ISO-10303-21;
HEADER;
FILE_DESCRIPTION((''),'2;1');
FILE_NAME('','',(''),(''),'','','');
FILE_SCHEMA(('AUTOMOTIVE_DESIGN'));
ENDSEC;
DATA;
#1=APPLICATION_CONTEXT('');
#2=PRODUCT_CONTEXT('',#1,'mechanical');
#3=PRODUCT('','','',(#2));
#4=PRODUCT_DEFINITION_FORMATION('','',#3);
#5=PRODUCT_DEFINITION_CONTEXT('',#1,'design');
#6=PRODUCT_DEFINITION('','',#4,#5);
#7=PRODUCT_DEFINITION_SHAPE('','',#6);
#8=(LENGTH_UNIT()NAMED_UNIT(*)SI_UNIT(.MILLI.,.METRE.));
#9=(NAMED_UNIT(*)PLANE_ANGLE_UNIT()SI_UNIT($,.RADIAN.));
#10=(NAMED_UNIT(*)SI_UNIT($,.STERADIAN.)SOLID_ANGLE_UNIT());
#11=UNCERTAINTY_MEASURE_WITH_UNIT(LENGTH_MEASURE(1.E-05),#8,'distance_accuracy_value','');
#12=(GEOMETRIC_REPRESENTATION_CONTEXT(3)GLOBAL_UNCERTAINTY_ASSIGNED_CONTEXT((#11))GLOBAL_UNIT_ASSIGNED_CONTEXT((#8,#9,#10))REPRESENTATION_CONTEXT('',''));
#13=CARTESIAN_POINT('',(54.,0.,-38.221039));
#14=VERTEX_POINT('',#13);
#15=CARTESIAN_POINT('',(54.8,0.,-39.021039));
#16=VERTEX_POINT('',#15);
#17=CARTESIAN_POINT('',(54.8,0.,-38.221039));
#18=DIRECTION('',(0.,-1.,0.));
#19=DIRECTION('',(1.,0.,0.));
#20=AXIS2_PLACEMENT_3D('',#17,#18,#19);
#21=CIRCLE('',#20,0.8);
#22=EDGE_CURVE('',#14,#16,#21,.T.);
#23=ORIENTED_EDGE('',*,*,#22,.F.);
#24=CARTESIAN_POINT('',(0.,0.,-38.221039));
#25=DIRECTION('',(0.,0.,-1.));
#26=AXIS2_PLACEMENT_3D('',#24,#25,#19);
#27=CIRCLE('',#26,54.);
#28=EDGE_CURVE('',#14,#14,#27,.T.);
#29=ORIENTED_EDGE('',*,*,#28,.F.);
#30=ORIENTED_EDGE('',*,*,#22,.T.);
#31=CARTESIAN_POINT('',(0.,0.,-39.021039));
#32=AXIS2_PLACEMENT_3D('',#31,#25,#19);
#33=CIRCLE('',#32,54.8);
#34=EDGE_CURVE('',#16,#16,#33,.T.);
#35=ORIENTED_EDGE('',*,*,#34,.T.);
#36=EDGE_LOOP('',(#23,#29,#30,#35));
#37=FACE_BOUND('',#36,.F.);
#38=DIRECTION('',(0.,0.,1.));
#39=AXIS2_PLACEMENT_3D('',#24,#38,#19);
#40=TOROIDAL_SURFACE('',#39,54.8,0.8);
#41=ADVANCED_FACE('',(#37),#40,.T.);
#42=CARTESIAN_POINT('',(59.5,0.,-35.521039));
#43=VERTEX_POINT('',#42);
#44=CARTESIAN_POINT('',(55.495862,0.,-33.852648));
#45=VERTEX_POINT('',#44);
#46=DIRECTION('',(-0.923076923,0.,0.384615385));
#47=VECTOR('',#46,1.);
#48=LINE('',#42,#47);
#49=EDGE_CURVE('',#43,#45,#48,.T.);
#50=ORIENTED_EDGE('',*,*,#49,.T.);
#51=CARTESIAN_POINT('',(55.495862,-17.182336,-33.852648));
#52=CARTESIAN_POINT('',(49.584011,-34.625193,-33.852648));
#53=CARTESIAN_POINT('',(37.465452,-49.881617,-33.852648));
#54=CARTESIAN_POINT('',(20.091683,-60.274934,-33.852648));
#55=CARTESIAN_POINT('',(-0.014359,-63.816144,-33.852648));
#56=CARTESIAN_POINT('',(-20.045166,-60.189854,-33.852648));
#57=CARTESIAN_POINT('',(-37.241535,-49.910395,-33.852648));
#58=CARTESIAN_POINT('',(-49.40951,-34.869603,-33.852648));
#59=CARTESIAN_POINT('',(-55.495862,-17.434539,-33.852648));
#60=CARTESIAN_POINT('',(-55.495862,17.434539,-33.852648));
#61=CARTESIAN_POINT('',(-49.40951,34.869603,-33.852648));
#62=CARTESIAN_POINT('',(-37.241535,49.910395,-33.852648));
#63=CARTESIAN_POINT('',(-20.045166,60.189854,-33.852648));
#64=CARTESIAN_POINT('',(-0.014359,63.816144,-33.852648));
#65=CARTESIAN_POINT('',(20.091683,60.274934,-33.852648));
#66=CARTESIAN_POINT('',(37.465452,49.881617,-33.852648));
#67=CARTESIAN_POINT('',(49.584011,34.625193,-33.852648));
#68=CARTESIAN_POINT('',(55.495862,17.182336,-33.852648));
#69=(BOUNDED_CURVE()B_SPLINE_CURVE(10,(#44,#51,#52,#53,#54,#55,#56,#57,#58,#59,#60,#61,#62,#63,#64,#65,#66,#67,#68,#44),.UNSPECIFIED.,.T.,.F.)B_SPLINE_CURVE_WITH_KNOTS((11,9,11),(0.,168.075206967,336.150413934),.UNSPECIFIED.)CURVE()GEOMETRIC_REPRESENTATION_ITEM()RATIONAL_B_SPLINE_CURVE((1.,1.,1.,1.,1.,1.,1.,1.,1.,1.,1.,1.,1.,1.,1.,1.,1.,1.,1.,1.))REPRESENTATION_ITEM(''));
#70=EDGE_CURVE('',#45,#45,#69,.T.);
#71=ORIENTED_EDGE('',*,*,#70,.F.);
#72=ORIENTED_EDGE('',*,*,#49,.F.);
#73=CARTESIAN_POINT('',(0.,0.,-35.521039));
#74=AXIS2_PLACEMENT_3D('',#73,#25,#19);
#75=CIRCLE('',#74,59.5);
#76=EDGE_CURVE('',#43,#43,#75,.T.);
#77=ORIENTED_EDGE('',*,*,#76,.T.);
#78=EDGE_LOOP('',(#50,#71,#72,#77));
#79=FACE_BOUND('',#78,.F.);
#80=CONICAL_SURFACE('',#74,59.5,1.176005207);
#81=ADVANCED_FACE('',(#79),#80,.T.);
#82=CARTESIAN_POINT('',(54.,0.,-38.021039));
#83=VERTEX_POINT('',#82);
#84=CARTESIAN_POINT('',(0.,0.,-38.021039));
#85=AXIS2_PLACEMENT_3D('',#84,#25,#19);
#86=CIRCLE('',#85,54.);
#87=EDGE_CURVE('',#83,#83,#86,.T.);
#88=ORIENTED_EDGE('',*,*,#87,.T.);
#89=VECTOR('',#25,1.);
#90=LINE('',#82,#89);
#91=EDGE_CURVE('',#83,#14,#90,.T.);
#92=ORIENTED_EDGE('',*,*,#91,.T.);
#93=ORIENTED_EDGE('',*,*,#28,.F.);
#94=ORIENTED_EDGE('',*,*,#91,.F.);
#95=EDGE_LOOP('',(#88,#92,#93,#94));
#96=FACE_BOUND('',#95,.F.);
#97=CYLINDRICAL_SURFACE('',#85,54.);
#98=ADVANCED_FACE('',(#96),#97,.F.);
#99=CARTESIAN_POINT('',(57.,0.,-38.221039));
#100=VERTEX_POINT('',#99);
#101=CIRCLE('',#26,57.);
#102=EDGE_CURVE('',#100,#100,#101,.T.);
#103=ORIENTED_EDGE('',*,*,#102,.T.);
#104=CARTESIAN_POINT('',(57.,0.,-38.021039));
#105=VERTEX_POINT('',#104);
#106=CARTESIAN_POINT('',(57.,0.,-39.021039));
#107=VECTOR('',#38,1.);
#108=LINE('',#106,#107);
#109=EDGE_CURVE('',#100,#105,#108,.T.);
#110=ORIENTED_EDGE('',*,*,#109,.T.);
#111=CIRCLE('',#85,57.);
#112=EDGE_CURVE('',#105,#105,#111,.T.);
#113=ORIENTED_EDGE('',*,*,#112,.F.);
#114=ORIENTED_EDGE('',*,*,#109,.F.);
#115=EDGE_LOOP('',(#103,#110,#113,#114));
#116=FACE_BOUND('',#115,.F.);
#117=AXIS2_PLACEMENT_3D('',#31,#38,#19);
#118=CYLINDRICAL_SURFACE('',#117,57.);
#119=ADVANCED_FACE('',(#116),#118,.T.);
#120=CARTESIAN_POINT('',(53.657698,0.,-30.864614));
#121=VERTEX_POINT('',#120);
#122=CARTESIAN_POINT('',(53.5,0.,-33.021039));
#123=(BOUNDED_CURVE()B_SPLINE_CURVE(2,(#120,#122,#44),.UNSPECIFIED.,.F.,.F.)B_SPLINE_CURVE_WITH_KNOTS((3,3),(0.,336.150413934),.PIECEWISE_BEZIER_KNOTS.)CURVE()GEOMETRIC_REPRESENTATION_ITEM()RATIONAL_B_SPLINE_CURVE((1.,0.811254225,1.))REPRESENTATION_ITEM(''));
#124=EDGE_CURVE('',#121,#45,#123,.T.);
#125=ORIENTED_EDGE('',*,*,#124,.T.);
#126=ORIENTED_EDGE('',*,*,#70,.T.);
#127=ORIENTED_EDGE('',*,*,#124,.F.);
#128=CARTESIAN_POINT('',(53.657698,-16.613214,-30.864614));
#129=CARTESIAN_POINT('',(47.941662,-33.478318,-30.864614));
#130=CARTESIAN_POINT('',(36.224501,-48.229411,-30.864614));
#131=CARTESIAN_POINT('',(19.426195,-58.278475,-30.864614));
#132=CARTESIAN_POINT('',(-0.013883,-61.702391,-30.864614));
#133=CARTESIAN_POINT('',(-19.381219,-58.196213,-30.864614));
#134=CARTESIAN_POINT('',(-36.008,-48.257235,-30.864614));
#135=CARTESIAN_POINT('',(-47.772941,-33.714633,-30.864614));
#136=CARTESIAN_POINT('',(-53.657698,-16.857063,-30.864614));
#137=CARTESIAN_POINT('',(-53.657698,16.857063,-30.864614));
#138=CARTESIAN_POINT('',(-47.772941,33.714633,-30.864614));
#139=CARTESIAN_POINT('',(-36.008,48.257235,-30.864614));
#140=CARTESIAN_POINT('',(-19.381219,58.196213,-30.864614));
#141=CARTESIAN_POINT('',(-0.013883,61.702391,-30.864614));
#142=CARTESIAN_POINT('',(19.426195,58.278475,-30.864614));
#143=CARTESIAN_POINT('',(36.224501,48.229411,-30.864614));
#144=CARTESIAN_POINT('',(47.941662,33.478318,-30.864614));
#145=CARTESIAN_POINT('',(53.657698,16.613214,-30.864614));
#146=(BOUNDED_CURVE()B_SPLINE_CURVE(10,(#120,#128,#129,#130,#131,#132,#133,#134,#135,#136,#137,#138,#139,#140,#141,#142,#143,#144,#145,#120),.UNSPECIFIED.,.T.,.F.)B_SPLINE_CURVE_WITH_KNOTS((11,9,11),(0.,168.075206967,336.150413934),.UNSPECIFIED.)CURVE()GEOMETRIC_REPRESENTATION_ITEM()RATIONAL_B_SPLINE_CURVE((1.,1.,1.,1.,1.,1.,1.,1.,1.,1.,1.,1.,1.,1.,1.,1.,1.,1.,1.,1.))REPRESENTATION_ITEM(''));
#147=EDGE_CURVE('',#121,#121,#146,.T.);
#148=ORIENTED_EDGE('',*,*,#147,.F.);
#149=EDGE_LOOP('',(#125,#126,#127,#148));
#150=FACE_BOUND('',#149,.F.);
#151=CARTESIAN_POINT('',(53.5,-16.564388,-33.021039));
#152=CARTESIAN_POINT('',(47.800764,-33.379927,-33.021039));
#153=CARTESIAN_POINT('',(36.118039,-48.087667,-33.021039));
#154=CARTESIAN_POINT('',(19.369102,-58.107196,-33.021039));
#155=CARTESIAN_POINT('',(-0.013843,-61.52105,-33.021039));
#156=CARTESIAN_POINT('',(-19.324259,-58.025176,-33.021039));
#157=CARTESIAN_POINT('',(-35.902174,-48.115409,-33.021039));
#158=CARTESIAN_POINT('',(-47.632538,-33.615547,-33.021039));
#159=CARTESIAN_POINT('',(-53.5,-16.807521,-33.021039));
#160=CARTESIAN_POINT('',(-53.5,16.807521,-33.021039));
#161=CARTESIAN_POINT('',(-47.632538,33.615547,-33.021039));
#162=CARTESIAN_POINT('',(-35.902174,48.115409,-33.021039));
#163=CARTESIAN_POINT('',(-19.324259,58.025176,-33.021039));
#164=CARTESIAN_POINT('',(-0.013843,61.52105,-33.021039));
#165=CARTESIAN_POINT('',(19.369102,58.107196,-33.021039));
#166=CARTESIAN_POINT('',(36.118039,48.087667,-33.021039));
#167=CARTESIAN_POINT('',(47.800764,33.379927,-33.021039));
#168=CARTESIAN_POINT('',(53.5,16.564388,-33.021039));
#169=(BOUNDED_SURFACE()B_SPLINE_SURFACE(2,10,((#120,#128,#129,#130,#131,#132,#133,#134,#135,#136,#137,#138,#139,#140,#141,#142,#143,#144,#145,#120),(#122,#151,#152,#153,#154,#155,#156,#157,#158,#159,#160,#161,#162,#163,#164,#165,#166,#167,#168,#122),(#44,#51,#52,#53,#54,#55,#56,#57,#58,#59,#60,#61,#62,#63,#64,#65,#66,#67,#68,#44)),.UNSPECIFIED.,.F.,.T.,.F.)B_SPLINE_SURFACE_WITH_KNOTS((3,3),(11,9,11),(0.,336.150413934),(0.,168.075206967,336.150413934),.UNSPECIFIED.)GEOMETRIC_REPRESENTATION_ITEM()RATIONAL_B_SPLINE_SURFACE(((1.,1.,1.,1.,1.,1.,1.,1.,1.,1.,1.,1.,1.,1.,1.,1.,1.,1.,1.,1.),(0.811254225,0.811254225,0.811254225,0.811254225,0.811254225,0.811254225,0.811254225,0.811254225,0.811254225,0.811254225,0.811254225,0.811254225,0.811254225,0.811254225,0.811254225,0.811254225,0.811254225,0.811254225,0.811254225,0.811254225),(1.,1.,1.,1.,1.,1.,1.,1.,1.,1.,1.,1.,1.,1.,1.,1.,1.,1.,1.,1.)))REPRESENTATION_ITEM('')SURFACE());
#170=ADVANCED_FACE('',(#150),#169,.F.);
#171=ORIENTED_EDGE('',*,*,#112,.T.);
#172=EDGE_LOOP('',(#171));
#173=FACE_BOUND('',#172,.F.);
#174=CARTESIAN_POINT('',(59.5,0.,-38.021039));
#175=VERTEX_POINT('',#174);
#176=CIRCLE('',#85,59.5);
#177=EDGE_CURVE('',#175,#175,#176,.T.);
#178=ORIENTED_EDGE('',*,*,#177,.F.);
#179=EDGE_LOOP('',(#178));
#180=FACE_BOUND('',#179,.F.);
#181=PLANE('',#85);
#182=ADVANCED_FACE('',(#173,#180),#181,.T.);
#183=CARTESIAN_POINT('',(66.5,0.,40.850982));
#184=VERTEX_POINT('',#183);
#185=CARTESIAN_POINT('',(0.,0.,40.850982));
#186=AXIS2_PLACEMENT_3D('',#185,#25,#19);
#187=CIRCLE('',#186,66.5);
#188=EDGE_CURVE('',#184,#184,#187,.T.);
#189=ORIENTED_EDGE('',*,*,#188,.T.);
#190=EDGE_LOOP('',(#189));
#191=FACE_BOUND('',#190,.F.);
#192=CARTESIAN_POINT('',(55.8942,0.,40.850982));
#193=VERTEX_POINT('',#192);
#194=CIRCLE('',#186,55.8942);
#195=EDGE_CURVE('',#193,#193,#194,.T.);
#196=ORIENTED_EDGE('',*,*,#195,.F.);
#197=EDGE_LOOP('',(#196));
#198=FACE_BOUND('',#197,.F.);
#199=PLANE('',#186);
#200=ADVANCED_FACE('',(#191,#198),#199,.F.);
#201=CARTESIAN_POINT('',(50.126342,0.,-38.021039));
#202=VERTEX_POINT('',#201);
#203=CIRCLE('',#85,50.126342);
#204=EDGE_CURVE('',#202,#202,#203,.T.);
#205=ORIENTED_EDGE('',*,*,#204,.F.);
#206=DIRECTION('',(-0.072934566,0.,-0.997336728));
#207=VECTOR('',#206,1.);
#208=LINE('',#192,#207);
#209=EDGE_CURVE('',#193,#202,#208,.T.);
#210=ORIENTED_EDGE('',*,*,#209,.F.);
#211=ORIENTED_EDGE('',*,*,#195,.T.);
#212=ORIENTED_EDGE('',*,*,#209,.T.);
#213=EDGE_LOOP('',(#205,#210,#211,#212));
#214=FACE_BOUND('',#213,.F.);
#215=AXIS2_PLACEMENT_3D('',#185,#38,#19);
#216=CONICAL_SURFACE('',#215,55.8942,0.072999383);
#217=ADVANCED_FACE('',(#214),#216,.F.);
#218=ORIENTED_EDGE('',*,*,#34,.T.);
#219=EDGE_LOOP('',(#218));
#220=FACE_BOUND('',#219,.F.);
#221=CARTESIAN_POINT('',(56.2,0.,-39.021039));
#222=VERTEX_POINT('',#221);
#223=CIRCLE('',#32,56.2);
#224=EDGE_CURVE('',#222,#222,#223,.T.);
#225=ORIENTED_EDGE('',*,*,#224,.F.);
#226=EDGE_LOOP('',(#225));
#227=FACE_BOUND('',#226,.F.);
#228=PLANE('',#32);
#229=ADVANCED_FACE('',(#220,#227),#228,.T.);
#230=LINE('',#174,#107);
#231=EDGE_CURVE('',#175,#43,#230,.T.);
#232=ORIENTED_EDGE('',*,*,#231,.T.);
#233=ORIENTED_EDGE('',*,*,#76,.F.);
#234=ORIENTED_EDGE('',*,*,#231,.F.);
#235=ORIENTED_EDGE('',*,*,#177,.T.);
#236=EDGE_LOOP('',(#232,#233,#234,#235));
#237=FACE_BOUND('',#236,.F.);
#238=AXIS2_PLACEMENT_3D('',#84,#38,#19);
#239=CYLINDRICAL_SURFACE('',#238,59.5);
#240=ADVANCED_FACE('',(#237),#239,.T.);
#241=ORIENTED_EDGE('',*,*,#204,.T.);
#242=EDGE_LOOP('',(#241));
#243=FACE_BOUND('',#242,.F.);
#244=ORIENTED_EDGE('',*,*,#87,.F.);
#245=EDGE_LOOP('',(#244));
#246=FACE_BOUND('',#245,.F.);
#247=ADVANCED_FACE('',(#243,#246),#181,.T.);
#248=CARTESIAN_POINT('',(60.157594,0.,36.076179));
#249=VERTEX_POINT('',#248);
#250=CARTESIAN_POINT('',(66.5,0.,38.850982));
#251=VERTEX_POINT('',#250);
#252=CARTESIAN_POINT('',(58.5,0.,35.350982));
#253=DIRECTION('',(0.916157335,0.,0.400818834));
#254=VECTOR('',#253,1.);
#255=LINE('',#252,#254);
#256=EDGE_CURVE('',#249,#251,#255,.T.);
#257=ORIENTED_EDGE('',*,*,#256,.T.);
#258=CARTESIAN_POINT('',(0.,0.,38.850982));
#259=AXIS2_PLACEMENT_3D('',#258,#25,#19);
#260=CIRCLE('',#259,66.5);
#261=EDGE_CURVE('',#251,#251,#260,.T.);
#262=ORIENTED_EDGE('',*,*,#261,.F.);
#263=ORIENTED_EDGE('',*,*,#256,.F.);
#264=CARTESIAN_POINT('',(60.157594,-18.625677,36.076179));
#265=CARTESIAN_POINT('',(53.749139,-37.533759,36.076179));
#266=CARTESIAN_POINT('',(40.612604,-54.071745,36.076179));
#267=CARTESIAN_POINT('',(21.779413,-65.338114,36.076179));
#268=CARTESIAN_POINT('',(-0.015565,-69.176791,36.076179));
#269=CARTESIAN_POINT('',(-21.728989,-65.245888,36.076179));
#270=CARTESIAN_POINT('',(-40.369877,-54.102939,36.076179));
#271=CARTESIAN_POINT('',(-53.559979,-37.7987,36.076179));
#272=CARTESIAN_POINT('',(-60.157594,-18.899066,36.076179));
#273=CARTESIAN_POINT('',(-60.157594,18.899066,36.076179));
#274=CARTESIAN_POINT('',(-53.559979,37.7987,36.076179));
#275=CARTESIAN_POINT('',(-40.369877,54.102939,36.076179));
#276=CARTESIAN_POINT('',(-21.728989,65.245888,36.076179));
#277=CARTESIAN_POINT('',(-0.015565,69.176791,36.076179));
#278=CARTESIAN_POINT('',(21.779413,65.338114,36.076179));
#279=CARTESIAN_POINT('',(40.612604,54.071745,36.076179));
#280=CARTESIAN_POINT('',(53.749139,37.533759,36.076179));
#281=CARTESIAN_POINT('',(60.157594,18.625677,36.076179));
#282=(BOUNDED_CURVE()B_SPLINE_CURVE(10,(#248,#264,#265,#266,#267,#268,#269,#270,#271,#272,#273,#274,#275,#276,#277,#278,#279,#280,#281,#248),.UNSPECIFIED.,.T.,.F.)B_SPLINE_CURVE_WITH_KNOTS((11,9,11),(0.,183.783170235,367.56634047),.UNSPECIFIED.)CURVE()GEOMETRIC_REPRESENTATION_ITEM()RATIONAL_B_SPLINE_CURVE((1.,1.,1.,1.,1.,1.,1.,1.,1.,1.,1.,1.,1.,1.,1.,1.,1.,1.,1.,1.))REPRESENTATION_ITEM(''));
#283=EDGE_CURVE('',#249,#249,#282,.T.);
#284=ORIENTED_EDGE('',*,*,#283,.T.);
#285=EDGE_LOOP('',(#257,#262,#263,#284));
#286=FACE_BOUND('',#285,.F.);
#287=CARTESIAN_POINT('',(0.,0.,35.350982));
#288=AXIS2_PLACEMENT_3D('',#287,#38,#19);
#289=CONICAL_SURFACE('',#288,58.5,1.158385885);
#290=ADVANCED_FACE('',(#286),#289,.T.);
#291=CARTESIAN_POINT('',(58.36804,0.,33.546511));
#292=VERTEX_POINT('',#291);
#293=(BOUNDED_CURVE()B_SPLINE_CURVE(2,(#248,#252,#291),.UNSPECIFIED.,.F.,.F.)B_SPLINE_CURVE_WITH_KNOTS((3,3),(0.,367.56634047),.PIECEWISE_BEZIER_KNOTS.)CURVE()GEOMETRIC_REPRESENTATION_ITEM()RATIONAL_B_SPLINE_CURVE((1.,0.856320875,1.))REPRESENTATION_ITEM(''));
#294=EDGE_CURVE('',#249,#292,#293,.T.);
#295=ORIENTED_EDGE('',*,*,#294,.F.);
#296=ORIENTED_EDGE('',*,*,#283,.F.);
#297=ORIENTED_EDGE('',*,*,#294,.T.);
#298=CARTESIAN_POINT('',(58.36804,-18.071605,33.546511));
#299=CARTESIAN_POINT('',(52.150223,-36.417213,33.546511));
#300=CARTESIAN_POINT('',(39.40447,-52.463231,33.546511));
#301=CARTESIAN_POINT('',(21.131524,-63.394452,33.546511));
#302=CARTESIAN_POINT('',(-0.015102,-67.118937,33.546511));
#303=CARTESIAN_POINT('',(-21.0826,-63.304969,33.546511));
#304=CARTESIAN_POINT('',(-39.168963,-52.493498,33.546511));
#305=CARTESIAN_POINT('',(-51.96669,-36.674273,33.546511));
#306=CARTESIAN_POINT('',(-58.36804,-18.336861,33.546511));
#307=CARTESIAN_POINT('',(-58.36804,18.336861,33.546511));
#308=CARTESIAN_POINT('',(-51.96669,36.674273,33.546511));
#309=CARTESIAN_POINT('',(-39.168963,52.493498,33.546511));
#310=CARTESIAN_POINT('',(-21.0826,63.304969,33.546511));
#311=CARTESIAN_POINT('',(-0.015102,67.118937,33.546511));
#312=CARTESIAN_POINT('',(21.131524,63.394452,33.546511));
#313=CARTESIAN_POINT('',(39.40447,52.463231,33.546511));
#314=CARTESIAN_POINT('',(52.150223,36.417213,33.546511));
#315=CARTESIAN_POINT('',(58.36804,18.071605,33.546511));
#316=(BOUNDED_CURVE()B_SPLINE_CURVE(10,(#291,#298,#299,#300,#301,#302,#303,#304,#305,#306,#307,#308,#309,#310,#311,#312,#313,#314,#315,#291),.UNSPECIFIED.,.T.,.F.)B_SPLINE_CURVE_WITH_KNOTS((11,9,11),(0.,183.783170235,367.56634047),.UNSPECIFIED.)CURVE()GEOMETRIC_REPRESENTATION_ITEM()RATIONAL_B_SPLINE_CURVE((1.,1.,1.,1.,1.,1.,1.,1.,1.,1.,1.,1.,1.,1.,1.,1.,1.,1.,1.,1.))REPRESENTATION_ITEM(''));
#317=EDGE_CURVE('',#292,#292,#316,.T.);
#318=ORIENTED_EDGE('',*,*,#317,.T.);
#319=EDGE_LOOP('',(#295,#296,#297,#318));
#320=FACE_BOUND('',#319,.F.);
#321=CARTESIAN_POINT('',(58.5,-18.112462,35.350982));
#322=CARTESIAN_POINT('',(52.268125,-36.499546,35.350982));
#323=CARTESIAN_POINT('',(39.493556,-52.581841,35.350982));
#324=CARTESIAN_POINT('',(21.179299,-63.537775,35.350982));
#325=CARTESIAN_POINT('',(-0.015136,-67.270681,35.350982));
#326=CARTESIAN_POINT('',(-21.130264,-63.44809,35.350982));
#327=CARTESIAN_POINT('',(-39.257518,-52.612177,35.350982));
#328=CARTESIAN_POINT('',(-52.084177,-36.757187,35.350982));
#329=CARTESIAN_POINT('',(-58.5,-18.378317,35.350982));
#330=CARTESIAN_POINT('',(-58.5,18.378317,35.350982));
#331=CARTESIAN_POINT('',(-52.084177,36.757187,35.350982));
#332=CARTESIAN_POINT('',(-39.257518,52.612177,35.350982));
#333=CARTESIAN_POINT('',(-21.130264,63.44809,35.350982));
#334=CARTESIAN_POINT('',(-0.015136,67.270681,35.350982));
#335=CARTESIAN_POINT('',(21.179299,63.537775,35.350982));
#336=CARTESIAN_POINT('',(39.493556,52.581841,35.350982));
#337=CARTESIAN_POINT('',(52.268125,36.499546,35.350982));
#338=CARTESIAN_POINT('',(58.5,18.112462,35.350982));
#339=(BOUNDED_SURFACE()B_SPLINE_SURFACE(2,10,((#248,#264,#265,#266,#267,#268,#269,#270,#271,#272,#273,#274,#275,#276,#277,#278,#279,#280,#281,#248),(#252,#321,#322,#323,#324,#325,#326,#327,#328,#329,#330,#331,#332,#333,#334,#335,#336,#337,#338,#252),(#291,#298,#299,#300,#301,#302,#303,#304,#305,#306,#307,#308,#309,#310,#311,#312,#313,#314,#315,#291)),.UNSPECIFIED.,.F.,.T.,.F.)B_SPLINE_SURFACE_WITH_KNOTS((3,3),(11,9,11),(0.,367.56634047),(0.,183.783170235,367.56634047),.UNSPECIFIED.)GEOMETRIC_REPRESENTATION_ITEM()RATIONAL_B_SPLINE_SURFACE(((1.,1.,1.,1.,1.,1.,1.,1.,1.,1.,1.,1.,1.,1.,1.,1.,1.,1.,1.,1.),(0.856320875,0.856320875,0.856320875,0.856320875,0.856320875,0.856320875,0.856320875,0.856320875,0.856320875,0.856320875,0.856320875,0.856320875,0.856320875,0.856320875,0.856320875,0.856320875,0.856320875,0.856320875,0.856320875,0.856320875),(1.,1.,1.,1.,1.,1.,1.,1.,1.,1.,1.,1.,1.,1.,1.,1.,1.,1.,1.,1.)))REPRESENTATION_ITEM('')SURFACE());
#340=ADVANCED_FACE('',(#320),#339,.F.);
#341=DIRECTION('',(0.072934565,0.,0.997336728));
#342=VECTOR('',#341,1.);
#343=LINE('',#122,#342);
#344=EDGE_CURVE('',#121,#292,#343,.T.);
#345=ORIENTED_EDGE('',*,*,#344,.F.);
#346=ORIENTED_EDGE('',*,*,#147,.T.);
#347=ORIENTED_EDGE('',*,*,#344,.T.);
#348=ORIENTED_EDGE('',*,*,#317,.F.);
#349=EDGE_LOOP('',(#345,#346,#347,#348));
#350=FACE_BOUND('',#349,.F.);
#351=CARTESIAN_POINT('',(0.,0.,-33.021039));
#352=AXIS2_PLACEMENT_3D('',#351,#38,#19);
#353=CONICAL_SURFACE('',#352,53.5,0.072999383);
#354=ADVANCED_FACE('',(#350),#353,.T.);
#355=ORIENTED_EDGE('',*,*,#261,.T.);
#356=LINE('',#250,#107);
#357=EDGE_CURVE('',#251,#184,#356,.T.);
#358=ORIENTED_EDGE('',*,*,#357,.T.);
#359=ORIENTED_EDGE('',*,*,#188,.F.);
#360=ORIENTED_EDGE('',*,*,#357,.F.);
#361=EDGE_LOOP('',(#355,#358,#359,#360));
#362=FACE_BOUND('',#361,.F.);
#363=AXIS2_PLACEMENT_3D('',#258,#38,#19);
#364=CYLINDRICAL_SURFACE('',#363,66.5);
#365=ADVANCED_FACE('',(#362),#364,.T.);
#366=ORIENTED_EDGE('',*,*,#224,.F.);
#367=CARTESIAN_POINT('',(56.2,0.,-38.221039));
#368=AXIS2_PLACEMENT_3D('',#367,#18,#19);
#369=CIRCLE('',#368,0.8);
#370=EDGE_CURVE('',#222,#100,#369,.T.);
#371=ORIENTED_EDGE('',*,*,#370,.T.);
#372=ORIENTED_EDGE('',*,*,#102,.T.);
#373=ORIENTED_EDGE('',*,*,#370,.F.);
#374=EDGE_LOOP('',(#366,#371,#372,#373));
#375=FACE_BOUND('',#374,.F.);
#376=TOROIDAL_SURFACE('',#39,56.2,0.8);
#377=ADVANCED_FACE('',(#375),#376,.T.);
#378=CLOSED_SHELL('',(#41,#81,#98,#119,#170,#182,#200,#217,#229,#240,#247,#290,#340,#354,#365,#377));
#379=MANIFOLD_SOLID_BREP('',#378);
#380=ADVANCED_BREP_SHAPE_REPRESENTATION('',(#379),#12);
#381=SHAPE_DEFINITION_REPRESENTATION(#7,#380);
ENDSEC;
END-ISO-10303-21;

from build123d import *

# Parameters (mm, degrees)
F2_R = 0.8
F3_R = 3


with BuildPart() as f1:
    # F0 (on Front) → F1 (revolve)
    with BuildSketch(Plane.XZ):
        Polygon((66.5, 40.850982), (55.8942, 40.850982), (50.126342, -38.021039), (54, -38.021039), (54, -39.021039), (57, -39.021039), (57, -38.021039), (59.5, -38.021039), (59.5, -35.521039), (53.5, -33.021039), (58.5, 35.350982), (66.5, 38.850982), align=None)
    revolve(axis=Axis((0, 0, -10.226812), (0, 0, -1)))

    # F2
    f2_edges = [f1.edges().sort_by_distance(p)[0] for p in [
        (-54, 0, -39.021039),
        (-57, 0, -39.021039),
    ]]
    fillet(f2_edges, radius=F2_R)

    # F3
    f3_edges = [f1.edges().sort_by_distance(p)[0] for p in [
        (-58.5, 0, 35.350982),
        (-53.5, 0, -33.021039),
    ]]
    fillet(f3_edges, radius=F3_R)


solid = f1.part
